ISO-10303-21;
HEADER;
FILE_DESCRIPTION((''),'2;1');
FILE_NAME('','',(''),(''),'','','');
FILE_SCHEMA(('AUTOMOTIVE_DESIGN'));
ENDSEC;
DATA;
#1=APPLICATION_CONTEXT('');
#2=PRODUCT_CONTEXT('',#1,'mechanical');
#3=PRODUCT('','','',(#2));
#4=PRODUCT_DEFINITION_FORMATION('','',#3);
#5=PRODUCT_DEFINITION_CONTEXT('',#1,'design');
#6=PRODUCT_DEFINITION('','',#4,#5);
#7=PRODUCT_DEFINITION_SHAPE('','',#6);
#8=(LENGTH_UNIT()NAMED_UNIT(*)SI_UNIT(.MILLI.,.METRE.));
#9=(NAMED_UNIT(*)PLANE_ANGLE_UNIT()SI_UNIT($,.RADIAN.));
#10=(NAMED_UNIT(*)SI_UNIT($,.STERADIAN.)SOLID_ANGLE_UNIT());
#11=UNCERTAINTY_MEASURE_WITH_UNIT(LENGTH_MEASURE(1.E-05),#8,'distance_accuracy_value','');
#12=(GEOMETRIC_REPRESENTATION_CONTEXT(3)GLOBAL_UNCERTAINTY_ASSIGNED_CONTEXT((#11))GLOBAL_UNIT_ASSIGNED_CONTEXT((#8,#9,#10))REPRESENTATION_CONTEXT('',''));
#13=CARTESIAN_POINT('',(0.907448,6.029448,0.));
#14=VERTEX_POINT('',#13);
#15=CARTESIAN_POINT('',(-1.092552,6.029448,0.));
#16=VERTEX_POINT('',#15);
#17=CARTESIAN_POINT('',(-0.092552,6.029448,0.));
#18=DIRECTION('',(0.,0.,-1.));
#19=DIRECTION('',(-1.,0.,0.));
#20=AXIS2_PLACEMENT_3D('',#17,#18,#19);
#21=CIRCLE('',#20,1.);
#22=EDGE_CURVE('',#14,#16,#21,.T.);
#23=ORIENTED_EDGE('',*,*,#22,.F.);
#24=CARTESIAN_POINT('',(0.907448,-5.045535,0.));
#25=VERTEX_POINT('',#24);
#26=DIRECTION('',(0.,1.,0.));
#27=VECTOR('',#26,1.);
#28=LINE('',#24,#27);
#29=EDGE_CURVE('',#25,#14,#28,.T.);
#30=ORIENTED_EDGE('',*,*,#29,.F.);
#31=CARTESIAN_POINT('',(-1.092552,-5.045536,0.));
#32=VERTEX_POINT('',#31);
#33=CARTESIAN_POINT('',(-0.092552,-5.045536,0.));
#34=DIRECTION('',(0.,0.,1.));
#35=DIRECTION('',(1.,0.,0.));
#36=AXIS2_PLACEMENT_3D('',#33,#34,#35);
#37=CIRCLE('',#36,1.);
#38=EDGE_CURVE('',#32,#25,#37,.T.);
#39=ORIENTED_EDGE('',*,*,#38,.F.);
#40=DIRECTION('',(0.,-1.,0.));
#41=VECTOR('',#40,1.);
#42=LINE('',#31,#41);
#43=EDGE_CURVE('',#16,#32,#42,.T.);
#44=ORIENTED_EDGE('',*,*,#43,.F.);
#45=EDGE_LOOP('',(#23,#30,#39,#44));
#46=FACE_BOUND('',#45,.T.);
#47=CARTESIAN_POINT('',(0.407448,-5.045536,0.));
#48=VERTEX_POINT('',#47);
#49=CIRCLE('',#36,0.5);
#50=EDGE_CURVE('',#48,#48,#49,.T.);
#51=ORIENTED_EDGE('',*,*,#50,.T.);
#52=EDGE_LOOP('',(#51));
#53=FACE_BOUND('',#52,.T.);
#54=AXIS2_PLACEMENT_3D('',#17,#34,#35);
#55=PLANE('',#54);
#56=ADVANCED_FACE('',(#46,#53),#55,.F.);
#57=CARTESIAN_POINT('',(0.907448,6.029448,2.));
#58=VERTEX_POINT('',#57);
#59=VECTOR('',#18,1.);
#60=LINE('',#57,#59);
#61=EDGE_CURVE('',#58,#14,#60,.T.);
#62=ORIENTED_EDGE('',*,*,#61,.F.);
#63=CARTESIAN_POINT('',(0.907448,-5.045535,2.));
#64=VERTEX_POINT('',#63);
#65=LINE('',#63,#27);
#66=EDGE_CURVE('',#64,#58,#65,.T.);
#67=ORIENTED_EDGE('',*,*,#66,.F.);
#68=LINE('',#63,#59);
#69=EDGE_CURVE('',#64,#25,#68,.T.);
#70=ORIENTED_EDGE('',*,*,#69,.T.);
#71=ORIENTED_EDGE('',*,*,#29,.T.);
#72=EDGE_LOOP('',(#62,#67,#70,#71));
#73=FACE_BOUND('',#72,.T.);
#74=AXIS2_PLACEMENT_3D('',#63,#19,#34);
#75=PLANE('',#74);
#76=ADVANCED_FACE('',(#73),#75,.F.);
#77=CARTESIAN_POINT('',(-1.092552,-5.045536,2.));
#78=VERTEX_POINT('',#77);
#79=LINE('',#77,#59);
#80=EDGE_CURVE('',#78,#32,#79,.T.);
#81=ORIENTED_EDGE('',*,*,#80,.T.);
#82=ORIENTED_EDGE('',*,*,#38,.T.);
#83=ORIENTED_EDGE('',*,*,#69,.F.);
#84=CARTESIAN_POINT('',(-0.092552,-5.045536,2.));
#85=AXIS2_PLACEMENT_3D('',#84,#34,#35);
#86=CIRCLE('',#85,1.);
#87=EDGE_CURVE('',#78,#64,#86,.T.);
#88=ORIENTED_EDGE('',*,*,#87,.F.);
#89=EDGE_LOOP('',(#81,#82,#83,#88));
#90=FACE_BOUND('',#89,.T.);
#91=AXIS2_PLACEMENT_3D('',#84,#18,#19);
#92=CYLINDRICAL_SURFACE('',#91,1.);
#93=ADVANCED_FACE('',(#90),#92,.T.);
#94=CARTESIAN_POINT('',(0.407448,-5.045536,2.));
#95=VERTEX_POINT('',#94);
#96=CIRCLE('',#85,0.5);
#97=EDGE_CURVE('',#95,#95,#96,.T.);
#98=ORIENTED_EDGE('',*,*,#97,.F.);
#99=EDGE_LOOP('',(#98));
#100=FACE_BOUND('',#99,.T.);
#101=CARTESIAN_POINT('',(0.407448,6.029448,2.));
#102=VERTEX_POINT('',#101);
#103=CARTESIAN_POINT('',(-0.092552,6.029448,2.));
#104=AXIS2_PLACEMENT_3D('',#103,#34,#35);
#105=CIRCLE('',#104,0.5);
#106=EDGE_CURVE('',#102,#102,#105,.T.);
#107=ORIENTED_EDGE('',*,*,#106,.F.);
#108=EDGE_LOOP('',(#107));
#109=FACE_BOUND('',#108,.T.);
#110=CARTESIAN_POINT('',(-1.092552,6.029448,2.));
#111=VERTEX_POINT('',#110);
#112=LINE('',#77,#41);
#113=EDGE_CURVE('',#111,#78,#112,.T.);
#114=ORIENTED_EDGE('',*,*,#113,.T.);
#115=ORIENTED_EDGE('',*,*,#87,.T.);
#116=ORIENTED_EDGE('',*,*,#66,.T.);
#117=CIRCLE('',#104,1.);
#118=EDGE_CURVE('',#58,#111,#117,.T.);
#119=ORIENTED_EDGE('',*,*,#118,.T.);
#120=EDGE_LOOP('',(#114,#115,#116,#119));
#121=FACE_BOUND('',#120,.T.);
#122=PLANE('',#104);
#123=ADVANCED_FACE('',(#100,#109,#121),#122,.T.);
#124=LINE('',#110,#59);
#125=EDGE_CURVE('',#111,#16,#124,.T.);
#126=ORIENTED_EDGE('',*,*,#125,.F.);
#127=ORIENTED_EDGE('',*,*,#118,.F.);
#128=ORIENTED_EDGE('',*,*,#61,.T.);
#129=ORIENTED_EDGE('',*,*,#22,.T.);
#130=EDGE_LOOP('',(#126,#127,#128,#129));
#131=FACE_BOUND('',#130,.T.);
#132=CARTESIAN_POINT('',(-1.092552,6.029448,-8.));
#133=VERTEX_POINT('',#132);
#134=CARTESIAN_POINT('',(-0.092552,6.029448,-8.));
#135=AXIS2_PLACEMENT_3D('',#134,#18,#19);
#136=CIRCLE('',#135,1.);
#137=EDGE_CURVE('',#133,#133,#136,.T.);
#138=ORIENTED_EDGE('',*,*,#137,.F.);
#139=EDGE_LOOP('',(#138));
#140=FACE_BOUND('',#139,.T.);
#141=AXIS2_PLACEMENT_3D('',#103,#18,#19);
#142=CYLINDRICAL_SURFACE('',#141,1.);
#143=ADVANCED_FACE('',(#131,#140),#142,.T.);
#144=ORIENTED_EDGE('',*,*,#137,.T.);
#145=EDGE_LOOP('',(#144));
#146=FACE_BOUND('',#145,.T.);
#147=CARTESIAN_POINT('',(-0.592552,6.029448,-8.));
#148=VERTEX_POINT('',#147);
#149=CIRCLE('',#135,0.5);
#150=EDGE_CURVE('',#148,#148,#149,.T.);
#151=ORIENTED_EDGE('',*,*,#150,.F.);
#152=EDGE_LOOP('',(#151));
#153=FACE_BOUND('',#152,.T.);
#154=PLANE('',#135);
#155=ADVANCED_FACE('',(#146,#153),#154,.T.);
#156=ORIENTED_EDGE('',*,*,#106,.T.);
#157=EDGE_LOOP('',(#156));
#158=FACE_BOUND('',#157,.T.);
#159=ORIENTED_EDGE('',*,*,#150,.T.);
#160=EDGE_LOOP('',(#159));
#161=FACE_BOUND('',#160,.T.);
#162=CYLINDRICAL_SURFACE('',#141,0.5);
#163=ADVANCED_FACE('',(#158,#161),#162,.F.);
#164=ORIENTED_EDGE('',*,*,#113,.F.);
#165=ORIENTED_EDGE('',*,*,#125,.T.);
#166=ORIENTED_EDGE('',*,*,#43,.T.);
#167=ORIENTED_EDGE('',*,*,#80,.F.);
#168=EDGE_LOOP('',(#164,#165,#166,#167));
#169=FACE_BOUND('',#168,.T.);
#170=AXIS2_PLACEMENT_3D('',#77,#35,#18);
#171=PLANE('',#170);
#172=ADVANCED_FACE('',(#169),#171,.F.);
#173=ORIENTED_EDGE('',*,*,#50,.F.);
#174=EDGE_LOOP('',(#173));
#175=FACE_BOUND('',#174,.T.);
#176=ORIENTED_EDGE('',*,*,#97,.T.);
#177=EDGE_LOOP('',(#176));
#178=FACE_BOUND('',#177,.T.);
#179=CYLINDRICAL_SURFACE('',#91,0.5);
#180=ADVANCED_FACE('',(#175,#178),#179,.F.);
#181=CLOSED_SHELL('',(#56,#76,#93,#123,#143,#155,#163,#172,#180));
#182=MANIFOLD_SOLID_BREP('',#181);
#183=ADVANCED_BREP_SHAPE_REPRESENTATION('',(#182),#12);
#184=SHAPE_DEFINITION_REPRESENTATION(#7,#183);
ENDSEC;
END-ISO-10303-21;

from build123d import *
from build123d.topology import SkipClean

# Parameters (mm, degrees)
SKETCH_1_R      = 0.5
EXTRUDE_1_DEPTH = 2
EXTRUDE_START   = 8
SKETCH_3_R      = 1
SKETCH_3_R_2    = 0.5
EXTRUDE_3_DEPTH = 8


with BuildPart() as part:
    # 草图1 → 凸台-拉伸1 (new body)
    with BuildSketch(Plane.XY):
        with BuildLine():
            Line((-1.092551508, -5.045535568), (-1.092551508, 6.029448207))
            ThreePointArc((-1.092551508, 6.029448207), (-0.092551508, 7.029448207), (0.907448492, 6.029448207))
            Line((0.907448492, 6.029448207), (0.907448492, -5.045535417))
            ThreePointArc((0.907448492, -5.045535417), (-0.092551432, -6.045535568), (-1.092551508, -5.045535568))
        make_face()
        with Locations((-0.092551508, -5.045535568)):
            Circle(SKETCH_1_R, mode=Mode.SUBTRACT)
        with Locations((-0.092551508, 6.029448207)):
            Circle(SKETCH_1_R, mode=Mode.SUBTRACT)
    extrude(amount=EXTRUDE_1_DEPTH)

    # 草图3 → 凸台-拉伸3 (add)
    with SkipClean():  # the faces are left unmerged after this step: merging them gives an invalid solid
        with BuildSketch(Plane(origin=(0, 0, 0), x_dir=(-1, 0, 0), z_dir=(0, 0, -1)).offset(EXTRUDE_START)):
            with Locations((0.092551508, 6.029448207)):
                Circle(SKETCH_3_R)
            with Locations((0.092551508, 6.029448207)):
                Circle(SKETCH_3_R_2, mode=Mode.SUBTRACT)
        extrude(amount=-EXTRUDE_3_DEPTH)


solid = part.part
